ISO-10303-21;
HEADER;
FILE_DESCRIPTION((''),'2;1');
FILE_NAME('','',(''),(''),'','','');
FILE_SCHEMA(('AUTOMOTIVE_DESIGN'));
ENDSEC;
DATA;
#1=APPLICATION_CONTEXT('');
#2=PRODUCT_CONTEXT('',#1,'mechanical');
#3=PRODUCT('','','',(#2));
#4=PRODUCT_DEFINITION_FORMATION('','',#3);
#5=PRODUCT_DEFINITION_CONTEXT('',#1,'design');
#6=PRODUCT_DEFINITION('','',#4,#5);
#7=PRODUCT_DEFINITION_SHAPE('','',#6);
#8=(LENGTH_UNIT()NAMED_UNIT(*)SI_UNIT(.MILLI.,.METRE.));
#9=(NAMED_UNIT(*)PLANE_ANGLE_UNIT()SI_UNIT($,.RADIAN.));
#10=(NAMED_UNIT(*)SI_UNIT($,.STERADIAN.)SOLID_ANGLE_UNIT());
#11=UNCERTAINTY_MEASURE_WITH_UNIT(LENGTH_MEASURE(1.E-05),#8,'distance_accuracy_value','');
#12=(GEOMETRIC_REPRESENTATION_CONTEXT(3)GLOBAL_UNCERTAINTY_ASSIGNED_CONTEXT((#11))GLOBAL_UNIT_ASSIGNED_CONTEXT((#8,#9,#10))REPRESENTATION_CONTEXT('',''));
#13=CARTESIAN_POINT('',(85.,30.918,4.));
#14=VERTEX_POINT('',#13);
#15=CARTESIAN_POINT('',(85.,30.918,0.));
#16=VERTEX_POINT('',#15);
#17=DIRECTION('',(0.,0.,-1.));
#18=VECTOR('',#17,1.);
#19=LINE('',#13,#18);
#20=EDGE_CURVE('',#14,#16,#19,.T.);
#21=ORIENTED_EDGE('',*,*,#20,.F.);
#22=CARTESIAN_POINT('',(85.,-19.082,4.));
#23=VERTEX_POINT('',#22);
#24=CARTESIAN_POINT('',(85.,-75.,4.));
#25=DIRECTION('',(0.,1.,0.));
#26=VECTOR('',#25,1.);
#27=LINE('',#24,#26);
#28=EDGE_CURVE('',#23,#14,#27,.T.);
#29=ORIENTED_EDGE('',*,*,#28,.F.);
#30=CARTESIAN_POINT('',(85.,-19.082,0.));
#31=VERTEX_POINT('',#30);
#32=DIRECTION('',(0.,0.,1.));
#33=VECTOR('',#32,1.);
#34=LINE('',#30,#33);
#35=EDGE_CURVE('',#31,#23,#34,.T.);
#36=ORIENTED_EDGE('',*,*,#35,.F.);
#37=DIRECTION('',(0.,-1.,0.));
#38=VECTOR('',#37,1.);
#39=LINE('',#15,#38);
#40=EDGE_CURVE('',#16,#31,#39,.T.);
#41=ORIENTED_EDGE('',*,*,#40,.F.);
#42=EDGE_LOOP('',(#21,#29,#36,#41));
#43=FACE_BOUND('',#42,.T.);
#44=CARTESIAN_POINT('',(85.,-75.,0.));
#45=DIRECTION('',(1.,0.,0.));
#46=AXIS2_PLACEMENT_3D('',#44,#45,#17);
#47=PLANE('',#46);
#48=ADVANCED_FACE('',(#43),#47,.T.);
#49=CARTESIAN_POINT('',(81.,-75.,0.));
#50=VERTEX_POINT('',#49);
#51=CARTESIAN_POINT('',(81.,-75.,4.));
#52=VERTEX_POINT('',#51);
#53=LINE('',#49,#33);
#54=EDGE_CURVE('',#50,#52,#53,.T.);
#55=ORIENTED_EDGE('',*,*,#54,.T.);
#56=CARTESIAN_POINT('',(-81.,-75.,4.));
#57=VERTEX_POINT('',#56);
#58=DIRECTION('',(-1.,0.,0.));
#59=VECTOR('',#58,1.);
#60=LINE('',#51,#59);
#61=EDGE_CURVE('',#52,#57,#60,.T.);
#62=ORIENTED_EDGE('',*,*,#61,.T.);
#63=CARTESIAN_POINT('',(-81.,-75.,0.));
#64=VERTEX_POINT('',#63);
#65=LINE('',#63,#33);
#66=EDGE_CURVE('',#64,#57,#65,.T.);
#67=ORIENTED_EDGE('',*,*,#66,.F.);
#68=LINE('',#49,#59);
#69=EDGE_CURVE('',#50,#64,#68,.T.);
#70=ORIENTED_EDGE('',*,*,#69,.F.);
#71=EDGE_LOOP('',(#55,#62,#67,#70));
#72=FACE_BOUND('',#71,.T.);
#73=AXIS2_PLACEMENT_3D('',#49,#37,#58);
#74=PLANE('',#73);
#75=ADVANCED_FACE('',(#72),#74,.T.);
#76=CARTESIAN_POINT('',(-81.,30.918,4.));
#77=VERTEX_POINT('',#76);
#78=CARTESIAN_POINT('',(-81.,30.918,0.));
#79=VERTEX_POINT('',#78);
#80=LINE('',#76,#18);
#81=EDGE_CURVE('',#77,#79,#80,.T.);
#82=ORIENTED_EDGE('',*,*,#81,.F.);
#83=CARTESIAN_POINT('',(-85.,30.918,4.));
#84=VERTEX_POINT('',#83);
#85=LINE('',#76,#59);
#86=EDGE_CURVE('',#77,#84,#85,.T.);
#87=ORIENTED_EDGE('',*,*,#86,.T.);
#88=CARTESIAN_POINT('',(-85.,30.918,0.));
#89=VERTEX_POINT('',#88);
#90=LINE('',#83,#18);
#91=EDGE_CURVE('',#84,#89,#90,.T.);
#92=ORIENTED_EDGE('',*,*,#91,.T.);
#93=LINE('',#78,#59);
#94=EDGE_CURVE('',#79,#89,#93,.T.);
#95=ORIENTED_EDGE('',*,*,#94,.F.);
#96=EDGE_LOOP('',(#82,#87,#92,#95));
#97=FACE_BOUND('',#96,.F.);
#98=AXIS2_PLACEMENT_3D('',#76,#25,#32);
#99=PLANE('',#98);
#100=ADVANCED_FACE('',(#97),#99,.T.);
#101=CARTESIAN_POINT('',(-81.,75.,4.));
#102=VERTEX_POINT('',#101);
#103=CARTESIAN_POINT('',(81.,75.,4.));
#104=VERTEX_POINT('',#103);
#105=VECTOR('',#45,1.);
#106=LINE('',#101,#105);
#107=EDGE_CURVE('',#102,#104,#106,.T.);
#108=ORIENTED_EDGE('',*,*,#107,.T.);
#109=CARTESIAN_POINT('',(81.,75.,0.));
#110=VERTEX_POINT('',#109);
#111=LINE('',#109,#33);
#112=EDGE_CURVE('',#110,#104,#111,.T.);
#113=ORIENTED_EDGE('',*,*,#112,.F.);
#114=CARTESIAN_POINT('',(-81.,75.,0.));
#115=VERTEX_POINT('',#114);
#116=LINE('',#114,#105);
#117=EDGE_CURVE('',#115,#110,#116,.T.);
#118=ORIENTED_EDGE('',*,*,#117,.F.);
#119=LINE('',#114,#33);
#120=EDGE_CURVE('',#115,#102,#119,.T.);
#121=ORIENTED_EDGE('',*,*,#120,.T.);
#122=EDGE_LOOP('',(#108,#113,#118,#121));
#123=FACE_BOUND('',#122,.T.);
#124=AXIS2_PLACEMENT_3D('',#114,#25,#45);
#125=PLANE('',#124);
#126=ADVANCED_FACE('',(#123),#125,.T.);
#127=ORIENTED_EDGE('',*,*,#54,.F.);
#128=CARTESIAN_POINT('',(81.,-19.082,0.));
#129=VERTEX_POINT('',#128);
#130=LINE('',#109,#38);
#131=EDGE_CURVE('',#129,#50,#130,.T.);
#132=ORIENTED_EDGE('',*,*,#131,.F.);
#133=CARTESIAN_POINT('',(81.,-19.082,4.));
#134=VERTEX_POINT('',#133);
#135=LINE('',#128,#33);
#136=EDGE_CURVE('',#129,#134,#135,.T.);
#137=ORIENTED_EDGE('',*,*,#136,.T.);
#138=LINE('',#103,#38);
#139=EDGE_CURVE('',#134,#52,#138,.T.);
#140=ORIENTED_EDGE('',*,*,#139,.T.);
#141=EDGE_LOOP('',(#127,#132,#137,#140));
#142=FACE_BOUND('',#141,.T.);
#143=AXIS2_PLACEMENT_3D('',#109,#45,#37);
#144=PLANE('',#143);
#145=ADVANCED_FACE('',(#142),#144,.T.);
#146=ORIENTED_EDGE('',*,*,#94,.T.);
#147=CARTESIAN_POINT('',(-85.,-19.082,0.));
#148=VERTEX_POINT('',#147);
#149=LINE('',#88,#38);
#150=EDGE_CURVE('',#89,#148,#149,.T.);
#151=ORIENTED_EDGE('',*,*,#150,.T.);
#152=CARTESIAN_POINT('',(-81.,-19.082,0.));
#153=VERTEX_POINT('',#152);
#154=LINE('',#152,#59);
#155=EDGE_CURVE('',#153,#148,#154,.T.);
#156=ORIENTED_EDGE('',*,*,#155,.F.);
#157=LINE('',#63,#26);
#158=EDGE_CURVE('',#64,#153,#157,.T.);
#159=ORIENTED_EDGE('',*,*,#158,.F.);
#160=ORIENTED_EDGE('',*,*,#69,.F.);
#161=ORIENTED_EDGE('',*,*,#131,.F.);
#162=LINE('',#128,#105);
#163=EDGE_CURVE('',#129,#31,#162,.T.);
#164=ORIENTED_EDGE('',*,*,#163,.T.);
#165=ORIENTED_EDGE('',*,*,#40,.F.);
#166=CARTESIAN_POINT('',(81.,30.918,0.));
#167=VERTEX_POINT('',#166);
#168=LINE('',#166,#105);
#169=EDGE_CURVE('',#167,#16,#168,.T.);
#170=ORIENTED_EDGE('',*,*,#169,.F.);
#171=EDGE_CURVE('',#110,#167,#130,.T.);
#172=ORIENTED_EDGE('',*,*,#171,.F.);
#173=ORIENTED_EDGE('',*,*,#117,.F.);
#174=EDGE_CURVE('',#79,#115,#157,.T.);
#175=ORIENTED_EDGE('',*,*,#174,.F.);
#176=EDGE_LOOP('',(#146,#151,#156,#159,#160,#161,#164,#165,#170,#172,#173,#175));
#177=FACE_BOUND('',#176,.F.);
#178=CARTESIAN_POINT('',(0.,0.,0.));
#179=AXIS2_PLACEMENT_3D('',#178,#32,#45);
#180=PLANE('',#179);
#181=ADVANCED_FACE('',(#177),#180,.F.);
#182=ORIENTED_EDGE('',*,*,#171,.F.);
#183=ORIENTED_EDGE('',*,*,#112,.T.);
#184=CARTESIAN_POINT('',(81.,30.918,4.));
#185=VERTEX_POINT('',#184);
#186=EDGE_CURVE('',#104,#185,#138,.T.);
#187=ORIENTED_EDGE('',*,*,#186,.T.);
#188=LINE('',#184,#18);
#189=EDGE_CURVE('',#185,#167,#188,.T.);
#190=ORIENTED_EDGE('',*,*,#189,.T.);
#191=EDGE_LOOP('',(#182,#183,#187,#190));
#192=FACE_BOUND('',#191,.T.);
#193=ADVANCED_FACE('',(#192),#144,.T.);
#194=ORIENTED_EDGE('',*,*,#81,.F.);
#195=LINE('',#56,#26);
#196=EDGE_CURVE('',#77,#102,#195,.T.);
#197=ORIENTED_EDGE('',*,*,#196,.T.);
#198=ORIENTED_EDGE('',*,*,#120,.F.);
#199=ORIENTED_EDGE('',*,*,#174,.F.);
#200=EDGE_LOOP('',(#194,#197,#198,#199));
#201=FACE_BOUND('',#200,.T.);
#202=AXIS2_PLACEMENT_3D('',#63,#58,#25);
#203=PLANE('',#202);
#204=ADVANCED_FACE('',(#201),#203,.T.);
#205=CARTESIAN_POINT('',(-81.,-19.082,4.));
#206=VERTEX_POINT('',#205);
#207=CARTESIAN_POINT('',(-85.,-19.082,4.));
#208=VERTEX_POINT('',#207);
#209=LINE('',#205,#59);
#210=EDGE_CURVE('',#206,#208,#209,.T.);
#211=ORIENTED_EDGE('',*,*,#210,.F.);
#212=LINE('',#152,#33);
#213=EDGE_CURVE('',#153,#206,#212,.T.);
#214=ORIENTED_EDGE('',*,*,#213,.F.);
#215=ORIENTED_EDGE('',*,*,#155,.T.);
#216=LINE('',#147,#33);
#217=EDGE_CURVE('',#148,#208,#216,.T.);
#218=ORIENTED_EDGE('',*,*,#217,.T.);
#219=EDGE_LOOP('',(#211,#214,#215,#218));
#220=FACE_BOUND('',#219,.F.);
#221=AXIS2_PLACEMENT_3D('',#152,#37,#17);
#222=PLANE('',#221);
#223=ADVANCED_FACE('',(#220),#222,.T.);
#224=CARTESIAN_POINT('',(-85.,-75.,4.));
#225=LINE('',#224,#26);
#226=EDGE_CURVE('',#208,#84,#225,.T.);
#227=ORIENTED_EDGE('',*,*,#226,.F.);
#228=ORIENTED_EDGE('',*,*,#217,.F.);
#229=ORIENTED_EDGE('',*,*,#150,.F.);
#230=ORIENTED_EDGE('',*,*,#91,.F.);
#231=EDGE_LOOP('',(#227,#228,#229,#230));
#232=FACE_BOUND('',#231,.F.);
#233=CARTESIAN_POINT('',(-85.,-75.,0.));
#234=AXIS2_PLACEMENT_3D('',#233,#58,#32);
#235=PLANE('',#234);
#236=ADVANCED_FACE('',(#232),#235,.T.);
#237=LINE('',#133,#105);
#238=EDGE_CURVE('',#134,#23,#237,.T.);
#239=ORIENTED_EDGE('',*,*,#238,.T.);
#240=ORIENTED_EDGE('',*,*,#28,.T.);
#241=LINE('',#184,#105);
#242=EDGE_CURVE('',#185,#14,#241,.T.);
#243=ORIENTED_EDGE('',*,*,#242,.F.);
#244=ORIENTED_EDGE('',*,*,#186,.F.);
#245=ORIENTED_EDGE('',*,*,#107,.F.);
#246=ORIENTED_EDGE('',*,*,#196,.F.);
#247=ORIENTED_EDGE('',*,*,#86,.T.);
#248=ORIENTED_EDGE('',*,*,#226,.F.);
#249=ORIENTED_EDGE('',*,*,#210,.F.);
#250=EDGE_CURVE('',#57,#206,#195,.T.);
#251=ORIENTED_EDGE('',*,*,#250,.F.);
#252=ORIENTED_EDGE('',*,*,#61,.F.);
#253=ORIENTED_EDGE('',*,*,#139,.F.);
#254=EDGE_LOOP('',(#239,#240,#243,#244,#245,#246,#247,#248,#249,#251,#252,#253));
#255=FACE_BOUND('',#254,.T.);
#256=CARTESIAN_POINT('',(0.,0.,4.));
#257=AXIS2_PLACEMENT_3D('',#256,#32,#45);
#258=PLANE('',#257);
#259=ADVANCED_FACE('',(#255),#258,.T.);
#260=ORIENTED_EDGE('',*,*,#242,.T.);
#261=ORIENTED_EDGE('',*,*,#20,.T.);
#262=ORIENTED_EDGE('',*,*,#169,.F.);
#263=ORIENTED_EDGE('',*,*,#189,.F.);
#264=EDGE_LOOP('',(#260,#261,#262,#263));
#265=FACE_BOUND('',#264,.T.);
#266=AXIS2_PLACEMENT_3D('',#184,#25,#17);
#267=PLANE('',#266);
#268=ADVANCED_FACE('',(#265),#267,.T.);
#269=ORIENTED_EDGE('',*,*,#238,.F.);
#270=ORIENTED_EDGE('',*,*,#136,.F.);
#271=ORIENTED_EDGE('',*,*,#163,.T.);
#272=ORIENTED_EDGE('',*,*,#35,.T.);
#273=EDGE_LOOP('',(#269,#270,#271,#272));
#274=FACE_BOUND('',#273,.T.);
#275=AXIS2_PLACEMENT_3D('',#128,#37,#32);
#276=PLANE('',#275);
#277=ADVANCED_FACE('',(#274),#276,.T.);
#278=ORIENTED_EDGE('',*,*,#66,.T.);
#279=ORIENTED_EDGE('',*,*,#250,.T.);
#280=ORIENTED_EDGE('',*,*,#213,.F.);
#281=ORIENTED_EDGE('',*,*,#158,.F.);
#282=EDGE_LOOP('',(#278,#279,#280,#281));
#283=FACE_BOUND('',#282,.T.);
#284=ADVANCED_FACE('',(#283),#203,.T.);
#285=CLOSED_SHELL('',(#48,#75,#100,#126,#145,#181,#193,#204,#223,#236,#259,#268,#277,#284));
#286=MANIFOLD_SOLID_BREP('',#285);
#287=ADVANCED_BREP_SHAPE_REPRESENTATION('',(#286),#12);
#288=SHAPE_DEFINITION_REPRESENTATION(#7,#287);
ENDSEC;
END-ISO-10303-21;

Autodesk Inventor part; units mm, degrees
ref_plane "YZ Plane" through (0, 0, 0) normal (1, 0, 0) x (0, 1, 0)
ref_plane "XZ Plane" through (0, 0, 0) normal (0, 1, 0) x (-1, 0, 0)
ref_plane "XY Plane" through (0, 0, 0) normal (0, 0, 1) x (1, 0, 0)
sketch "Sketch1" plane through (0, 0, 0) normal (0, 0, 1) x (1, 0, 0)
  line L0 (-81, 75) -> (81, 75)
  line L1 (81, 75) -> (81, -75)
  line L2 (81, -75) -> (-81, -75)
  line L3 (-81, -75) -> (-81, 75)
  point P0 (0, 0)
  point P1 (-81, 0)
  point P2 (0, 75)
  dimension "d0" = 162
  dimension "d1" = 150
extrude "Extrusion1" add sketch "Sketch1" along normal blind 4
sketch "Sketch3" plane through (81, -75, 0) normal (1, 0, 0) x (0, 0, -1)
  line L0 (-4, 0) -> (-4, 150) projected
  line L1 (-4, 105.918) -> (0, 105.918)
  line L2 (0, 105.918) -> (0, 55.918)
  line L3 (0, 55.918) -> (-4, 55.918)
  line L4 (-4, 55.918) -> (-4, 105.918)
  point P0 (0, 75)
  dimension "d7" = 50
extrude "Extrusion3" add sketch "Sketch3" along normal blind 4
mirror "Mirror2" about plane through (0, 0, 0) normal (1, 0, 0) of "Extrusion3"
properties part number "Rampa"
